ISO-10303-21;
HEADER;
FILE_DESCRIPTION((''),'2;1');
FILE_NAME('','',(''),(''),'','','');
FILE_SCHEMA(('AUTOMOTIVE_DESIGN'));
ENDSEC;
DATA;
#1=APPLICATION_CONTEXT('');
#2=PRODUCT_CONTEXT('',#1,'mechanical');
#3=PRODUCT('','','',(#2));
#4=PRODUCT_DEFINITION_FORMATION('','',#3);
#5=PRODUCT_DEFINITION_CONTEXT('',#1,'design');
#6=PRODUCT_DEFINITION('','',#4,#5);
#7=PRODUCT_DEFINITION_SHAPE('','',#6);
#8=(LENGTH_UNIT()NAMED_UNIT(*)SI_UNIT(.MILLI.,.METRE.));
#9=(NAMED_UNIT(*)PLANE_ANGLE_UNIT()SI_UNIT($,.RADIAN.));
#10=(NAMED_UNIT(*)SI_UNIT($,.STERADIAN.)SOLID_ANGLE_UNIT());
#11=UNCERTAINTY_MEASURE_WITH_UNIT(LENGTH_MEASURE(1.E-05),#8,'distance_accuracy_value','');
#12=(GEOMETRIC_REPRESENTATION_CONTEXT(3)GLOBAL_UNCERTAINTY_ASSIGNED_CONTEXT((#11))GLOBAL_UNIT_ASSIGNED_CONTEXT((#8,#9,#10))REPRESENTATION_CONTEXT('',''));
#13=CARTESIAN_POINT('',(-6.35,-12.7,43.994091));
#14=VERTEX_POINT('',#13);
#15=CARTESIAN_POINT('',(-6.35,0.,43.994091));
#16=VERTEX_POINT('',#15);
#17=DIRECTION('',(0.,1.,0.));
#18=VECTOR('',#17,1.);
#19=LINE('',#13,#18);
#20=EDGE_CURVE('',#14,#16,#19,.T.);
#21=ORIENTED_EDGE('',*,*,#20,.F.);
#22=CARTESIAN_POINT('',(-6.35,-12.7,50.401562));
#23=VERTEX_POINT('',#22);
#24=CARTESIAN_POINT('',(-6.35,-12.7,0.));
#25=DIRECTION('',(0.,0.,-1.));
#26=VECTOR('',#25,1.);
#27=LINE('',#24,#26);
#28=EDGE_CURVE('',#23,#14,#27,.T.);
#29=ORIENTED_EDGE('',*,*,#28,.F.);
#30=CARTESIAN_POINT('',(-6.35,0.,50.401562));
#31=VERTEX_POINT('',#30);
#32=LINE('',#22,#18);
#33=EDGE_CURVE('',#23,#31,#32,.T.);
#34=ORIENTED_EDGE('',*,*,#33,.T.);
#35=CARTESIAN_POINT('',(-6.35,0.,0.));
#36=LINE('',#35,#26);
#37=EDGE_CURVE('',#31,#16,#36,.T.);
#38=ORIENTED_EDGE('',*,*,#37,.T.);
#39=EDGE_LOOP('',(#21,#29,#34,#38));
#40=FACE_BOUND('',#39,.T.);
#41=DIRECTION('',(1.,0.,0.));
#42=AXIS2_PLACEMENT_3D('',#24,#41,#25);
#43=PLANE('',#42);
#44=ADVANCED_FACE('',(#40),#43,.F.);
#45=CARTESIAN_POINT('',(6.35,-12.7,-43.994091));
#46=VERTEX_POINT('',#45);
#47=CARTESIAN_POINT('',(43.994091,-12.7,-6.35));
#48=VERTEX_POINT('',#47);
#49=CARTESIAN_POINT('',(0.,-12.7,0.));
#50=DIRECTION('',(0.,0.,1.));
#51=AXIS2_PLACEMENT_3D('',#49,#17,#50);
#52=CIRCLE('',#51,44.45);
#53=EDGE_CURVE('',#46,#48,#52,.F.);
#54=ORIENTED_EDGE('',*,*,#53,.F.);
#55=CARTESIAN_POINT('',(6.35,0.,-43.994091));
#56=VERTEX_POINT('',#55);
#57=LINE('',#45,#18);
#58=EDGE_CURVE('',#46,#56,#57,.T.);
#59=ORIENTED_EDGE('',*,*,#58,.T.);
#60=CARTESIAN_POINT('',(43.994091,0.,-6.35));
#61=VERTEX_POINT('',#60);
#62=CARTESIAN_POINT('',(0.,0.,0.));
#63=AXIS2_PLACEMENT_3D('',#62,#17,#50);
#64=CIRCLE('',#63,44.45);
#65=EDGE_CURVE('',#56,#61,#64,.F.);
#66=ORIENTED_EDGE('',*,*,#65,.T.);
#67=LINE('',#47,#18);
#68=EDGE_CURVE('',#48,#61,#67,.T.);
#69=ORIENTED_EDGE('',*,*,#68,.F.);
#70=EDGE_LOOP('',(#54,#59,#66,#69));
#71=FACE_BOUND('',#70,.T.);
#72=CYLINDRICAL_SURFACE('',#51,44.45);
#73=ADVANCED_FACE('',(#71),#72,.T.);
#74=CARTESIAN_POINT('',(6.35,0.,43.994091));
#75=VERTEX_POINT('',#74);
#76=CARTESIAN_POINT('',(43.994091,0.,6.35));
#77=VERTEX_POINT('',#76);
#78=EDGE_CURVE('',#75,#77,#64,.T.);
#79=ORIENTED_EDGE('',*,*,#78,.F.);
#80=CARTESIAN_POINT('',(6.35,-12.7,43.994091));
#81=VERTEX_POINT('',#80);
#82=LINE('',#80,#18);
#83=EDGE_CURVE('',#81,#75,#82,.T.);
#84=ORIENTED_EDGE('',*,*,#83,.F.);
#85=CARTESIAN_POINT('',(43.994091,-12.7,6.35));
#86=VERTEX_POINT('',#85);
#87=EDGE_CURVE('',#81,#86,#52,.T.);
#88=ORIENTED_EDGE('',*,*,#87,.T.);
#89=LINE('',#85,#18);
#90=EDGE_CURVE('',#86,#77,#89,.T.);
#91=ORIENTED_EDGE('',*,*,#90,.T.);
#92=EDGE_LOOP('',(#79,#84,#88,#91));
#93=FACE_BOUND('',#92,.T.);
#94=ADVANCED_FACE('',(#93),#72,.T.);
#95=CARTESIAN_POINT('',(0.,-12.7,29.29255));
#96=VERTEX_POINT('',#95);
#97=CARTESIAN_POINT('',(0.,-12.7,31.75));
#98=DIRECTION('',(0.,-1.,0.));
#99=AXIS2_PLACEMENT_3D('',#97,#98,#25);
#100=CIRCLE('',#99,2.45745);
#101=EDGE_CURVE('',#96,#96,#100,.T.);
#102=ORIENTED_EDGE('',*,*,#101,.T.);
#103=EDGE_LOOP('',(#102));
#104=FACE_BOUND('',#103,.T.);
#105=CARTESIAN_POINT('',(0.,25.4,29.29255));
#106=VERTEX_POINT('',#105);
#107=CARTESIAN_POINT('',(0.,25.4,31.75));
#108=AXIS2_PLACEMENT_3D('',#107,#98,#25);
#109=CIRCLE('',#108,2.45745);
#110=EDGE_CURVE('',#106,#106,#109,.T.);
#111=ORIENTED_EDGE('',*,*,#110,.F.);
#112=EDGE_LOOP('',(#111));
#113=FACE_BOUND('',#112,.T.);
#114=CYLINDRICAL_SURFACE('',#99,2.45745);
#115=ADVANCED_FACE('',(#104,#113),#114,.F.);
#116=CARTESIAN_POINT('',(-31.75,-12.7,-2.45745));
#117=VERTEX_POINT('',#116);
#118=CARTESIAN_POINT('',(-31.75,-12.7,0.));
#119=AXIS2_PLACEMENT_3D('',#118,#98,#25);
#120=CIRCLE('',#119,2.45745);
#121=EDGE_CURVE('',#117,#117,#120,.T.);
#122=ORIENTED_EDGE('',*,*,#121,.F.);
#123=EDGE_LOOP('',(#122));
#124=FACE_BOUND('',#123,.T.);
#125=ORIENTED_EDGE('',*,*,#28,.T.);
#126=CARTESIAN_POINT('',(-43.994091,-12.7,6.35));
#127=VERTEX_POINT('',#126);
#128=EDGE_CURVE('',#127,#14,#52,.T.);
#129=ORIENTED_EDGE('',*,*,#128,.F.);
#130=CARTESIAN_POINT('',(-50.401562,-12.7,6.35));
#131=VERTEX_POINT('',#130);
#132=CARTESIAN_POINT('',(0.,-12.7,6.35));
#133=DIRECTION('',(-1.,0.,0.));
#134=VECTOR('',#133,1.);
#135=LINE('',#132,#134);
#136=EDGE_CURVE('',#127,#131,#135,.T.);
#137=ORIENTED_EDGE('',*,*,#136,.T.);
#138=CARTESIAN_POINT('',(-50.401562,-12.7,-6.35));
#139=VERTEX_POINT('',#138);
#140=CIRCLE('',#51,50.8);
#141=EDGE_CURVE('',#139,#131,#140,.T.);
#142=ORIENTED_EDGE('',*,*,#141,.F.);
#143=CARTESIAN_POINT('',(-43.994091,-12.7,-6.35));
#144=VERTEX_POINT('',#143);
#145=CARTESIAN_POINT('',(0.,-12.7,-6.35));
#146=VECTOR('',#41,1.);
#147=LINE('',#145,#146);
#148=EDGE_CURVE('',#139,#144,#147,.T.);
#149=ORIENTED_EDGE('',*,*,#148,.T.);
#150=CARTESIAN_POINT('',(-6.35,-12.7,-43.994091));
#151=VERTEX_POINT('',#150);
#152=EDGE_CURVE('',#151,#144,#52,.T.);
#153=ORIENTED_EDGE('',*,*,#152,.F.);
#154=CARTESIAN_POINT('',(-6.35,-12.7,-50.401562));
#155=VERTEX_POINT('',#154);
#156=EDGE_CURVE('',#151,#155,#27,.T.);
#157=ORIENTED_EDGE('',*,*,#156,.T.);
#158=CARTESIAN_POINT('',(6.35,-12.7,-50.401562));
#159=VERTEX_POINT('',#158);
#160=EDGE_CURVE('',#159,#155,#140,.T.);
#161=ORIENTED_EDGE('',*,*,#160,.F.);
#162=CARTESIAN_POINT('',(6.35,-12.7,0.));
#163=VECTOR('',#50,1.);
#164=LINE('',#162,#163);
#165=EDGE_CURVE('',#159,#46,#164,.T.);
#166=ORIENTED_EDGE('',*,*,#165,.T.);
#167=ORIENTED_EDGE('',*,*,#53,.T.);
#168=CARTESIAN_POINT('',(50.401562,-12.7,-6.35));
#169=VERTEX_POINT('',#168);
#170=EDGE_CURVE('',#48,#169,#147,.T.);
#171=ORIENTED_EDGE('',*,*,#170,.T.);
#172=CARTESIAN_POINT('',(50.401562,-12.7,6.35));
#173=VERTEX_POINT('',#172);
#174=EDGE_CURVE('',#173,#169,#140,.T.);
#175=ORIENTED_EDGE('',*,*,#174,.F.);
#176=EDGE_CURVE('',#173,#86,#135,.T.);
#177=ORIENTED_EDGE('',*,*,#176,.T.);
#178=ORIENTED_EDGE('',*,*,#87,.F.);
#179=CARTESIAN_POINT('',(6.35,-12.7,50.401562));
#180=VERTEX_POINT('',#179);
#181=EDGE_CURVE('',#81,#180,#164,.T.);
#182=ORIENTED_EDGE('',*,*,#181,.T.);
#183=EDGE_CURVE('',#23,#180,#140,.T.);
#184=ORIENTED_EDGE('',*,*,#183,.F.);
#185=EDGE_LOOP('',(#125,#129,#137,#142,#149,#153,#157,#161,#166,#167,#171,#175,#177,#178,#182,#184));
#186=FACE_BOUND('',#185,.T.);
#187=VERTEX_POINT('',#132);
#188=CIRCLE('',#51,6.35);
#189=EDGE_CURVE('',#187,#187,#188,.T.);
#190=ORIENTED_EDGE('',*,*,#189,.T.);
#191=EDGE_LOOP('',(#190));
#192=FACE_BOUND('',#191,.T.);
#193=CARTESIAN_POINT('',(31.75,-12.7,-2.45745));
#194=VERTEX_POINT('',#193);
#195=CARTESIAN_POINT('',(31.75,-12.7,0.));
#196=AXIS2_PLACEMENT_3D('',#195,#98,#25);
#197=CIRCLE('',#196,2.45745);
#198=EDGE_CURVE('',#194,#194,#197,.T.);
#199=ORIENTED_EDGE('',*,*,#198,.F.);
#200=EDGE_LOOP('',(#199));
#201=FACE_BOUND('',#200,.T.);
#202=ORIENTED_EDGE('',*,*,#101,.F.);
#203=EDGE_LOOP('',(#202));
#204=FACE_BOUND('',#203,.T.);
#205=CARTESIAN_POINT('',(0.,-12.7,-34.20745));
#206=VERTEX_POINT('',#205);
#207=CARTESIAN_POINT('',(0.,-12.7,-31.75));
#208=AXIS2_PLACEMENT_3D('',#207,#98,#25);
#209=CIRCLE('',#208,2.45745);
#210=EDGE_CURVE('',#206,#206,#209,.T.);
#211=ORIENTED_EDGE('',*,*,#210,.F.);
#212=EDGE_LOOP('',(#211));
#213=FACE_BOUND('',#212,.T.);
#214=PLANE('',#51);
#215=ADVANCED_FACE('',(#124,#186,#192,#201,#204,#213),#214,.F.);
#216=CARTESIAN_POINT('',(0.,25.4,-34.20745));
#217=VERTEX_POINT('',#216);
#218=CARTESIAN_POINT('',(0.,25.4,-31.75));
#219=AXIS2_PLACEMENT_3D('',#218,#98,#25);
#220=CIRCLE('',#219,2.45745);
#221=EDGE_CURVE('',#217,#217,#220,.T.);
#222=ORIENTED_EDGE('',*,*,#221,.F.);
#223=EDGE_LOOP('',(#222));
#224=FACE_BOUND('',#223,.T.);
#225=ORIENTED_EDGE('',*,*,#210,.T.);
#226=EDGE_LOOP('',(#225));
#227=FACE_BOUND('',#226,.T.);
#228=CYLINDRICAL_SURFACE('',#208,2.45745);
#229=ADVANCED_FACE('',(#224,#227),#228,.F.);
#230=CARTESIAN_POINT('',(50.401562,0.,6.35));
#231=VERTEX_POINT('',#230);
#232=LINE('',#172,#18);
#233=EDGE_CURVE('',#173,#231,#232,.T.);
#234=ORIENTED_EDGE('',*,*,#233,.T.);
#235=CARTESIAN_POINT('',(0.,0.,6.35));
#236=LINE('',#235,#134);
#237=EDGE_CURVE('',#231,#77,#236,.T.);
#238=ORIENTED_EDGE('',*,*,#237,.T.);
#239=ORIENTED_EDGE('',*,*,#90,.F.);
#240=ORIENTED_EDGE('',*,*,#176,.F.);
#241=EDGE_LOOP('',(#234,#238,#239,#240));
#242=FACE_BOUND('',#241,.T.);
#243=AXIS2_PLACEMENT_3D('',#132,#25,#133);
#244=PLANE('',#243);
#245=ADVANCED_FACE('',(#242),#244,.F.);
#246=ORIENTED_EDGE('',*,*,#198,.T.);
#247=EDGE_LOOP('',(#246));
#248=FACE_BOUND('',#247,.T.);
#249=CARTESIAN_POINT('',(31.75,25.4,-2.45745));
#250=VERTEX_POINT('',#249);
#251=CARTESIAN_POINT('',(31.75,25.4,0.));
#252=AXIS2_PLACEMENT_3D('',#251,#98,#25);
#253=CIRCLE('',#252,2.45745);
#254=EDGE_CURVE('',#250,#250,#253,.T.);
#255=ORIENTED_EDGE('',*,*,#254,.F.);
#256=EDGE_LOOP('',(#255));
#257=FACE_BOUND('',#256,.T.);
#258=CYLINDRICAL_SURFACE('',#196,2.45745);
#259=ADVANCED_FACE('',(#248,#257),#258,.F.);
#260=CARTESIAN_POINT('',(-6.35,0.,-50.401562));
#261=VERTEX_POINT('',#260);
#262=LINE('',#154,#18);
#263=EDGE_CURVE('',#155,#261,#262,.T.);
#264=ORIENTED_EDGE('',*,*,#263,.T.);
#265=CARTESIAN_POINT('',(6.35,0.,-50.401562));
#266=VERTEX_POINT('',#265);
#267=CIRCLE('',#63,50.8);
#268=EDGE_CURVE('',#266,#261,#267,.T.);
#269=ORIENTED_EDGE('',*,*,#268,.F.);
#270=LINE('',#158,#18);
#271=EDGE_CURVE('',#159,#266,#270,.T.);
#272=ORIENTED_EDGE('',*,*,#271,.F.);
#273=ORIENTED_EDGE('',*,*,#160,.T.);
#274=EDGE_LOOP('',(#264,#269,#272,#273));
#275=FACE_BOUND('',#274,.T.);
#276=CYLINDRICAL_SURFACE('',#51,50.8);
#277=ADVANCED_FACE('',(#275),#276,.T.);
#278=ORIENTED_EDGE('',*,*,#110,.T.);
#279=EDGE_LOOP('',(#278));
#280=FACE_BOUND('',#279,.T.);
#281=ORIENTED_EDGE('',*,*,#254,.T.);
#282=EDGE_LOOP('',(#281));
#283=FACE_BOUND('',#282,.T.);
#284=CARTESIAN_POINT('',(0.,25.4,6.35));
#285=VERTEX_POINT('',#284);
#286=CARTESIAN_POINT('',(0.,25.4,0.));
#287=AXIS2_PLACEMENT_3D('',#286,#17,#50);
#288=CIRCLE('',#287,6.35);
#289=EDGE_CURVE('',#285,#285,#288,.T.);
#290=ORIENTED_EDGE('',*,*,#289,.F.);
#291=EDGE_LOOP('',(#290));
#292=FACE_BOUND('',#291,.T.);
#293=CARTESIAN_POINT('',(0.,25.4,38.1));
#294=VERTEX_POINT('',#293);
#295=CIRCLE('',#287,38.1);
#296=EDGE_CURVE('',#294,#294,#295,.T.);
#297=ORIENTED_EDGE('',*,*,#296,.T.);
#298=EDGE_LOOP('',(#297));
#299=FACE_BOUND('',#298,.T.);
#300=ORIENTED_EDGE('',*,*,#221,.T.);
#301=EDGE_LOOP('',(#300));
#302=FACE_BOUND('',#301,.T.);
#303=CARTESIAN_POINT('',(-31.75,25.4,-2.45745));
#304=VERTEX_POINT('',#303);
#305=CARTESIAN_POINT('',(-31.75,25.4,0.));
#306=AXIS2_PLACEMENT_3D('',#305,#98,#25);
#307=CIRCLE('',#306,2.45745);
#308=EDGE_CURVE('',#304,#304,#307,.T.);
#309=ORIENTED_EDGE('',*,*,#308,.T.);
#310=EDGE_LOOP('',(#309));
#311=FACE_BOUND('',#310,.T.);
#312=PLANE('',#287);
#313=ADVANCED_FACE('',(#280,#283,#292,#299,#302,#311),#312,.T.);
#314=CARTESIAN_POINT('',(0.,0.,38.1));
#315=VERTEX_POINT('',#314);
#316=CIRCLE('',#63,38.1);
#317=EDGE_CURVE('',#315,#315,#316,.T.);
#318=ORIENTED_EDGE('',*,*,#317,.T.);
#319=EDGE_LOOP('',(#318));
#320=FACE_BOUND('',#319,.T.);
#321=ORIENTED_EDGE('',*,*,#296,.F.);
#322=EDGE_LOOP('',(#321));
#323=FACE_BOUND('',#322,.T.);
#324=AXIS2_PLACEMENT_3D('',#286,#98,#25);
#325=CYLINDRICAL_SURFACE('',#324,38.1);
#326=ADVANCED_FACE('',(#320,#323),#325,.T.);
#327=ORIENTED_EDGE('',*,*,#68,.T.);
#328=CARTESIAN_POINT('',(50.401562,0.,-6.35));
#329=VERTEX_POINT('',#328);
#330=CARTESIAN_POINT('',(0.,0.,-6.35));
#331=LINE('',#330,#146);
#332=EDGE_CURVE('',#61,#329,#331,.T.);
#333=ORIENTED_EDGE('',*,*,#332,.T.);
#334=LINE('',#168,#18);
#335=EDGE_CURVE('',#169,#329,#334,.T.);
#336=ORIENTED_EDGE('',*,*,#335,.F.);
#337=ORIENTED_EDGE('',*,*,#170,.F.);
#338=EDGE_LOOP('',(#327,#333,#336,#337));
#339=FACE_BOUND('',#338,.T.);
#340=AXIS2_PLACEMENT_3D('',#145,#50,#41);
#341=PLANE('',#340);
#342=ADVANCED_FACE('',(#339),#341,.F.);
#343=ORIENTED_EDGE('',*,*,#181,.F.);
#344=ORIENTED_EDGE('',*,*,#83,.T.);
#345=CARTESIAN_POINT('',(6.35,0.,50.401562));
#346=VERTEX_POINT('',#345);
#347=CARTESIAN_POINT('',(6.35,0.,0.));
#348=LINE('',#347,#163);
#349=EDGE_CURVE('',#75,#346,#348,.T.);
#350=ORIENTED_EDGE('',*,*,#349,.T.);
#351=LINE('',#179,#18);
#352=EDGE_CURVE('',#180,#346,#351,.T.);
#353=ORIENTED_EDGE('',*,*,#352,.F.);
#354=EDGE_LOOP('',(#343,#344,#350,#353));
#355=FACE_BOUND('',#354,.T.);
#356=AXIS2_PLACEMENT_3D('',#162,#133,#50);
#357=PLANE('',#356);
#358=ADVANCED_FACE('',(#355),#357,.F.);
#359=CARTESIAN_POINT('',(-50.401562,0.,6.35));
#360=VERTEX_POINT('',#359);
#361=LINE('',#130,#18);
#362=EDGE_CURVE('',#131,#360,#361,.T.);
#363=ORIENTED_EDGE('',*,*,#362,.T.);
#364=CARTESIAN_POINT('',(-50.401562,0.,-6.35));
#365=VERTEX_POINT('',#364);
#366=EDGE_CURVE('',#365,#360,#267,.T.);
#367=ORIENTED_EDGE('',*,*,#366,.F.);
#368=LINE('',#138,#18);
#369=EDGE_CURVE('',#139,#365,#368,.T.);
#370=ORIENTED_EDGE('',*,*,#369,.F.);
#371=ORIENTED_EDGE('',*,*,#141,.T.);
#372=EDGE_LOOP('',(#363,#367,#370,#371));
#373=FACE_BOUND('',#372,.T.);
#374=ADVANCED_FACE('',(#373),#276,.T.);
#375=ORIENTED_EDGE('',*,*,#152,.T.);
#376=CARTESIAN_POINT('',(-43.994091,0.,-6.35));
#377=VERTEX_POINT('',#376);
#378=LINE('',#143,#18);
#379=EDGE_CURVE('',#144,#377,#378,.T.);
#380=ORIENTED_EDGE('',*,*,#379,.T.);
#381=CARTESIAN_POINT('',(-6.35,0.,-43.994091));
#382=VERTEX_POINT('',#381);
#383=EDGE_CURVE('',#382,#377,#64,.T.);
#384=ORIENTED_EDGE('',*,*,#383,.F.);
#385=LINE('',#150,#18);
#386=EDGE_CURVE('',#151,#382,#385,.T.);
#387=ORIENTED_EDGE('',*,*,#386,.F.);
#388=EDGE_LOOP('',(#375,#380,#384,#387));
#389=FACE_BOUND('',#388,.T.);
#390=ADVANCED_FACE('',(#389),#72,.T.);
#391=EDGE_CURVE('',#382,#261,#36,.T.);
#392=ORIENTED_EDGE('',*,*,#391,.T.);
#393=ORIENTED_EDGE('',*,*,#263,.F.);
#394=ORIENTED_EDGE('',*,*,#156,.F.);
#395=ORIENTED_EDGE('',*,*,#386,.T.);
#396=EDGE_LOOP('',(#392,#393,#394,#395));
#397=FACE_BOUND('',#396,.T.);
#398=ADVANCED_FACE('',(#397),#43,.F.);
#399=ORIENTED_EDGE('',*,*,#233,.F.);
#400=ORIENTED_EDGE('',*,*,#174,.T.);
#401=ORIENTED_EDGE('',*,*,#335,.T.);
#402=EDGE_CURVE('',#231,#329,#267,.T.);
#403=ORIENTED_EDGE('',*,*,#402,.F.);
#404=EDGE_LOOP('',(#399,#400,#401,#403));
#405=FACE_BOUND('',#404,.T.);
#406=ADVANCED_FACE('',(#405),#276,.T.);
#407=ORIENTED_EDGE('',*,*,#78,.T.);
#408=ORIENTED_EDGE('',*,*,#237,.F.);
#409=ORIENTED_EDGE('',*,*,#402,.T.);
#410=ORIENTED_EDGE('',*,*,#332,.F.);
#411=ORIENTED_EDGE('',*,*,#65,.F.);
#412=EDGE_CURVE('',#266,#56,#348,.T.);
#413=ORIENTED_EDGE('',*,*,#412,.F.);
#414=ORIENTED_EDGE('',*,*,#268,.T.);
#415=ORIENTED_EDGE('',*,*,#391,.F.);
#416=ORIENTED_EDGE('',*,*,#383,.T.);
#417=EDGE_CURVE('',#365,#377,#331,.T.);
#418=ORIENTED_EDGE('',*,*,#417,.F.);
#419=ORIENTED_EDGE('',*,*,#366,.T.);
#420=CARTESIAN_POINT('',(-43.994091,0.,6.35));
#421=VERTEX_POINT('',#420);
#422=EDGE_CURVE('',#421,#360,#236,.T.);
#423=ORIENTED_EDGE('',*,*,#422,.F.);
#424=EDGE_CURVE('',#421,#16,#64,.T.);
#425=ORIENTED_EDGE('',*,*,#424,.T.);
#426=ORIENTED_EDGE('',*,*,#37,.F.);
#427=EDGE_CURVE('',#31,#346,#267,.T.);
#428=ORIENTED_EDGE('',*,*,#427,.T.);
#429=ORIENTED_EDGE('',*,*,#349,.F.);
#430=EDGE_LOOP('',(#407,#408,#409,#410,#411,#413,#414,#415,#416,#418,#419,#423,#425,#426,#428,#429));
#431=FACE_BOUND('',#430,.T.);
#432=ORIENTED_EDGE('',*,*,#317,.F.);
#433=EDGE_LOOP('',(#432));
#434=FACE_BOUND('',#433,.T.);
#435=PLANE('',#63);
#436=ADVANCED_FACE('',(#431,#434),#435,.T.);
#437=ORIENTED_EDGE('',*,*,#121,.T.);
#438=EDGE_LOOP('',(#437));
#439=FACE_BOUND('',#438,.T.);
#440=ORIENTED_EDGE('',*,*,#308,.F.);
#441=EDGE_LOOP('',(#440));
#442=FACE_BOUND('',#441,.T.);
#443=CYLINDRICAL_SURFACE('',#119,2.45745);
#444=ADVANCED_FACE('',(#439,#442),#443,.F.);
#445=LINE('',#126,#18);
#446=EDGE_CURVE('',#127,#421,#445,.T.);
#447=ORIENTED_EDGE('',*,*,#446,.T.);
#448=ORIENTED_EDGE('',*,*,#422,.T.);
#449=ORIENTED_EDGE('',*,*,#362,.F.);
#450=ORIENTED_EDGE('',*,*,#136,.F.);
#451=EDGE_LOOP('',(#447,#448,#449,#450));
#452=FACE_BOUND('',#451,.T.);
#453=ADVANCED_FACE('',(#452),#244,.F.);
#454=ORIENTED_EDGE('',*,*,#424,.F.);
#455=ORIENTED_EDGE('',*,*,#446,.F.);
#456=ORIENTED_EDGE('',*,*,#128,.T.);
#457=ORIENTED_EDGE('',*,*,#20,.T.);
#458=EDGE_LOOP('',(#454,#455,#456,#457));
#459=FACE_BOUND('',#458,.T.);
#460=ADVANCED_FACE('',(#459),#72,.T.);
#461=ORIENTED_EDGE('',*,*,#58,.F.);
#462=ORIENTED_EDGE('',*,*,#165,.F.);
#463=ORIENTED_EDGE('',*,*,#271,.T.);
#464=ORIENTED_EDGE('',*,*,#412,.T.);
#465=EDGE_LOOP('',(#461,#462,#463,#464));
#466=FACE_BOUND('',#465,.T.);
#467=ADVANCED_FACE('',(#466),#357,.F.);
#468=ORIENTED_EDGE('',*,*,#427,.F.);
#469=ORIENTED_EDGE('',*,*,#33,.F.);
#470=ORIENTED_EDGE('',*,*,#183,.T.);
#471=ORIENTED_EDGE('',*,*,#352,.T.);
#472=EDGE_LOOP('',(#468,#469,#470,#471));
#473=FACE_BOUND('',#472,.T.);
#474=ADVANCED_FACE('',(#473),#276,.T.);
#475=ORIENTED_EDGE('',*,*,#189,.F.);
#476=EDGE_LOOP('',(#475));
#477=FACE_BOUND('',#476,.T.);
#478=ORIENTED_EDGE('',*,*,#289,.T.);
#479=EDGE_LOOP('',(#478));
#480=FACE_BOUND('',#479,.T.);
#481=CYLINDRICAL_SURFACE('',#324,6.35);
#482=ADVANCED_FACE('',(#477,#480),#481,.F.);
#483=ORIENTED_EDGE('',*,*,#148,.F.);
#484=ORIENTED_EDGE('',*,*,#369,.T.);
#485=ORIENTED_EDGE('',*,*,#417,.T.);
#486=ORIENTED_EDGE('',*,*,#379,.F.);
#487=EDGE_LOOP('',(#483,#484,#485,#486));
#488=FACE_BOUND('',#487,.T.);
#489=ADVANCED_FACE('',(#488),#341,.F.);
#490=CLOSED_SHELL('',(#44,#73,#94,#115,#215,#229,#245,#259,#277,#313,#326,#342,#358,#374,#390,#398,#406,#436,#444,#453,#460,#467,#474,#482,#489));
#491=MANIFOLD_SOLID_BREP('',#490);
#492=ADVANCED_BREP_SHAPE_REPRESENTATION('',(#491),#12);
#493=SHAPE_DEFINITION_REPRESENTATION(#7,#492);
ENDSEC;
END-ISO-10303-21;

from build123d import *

# Parameters (mm, degrees)
SKETCH2_R                    = 38.1
SKETCH2_R_2                  = 6.35
BOSS_EXTRUDE2_DEPTH          = 25.4
BOSS_EXTRUDE3_START          = -12.7
SKETCH2_5_R                  = 6.35
BOSS_EXTRUDE3_DEPTH          = 12.7
F_10_0_1935_DIAMETER_HOLE2_D = 4.9149
CIRPATTERN2_COUNT            = 4


with BuildPart() as part:
    # Sketch2 → Boss-Extrude2 (new body)
    with BuildSketch(Plane(origin=(0, 0, 0), x_dir=(1, 0, 0), z_dir=(0, 1, 0))):
        Circle(SKETCH2_R)
        Circle(SKETCH2_R_2, mode=Mode.SUBTRACT)
    extrude(amount=BOSS_EXTRUDE2_DEPTH)

    # Sketch2<5> → Boss-Extrude3 (add)
    with BuildSketch(Plane(origin=(0, 0, 0), x_dir=(1, 0, 0), z_dir=(0, 1, 0)).offset(BOSS_EXTRUDE3_START)):
        with BuildLine():
            Line((-6.35, 50.401562476), (-6.35, 43.994090512))
            ThreePointArc((-6.35, 43.994090512), (-31.430896424, 31.430896424), (-43.994090512, 6.35))
            Line((-43.994090512, 6.35), (-50.401562476, 6.35))
            ThreePointArc((-50.401562476, 6.35), (-50.8, 0), (-50.401562476, -6.35))
            Line((-50.401562476, -6.35), (-43.994090512, -6.35))
            ThreePointArc((-43.994090512, -6.35), (-31.430896424, -31.430896424), (-6.35, -43.994090512))
            Line((-6.35, -43.994090512), (-6.35, -50.401562476))
            ThreePointArc((-6.35, -50.401562476), (0, -50.8), (6.35, -50.401562476))
            Line((6.35, -50.401562476), (6.35, -43.994090512))
            ThreePointArc((6.35, -43.994090512), (31.430896424, -31.430896424), (43.994090512, -6.35))
            Line((43.994090512, -6.35), (50.401562476, -6.35))
            ThreePointArc((50.401562476, -6.35), (50.8, 0), (50.401562476, 6.35))
            Line((50.401562476, 6.35), (43.994090512, 6.35))
            ThreePointArc((43.994090512, 6.35), (31.430896424, 31.430896424), (6.35, 43.994090512))
            Line((6.35, 43.994090512), (6.35, 50.401562476))
            ThreePointArc((6.35, 50.401562476), (0, 50.8), (-6.35, 50.401562476))
        make_face()
        Circle(SKETCH2_5_R, mode=Mode.SUBTRACT)
    extrude(amount=BOSS_EXTRUDE3_DEPTH)

    # #10 (0.1935) Diameter Hole2 (through all)
    with Locations(Plane(origin=(0, -12.7, 31.75), x_dir=(0, 0, -1), z_dir=(0, -1, 0))):
        with Locations((0, 0)):
            f_10_0_1935_diameter_hole2 = Hole(F_10_0_1935_DIAMETER_HOLE2_D / 2)

    # CirPattern2: #10 (0.1935) Diameter Hole2 ×4 about axis
    cirpattern2_axis = Axis((0, 25.4, 0), (0, -1, 0))
    for i in range(1, CIRPATTERN2_COUNT):
        add(f_10_0_1935_diameter_hole2.rotate(cirpattern2_axis, i * 360 / CIRPATTERN2_COUNT), mode=Mode.SUBTRACT)


solid = part.part
